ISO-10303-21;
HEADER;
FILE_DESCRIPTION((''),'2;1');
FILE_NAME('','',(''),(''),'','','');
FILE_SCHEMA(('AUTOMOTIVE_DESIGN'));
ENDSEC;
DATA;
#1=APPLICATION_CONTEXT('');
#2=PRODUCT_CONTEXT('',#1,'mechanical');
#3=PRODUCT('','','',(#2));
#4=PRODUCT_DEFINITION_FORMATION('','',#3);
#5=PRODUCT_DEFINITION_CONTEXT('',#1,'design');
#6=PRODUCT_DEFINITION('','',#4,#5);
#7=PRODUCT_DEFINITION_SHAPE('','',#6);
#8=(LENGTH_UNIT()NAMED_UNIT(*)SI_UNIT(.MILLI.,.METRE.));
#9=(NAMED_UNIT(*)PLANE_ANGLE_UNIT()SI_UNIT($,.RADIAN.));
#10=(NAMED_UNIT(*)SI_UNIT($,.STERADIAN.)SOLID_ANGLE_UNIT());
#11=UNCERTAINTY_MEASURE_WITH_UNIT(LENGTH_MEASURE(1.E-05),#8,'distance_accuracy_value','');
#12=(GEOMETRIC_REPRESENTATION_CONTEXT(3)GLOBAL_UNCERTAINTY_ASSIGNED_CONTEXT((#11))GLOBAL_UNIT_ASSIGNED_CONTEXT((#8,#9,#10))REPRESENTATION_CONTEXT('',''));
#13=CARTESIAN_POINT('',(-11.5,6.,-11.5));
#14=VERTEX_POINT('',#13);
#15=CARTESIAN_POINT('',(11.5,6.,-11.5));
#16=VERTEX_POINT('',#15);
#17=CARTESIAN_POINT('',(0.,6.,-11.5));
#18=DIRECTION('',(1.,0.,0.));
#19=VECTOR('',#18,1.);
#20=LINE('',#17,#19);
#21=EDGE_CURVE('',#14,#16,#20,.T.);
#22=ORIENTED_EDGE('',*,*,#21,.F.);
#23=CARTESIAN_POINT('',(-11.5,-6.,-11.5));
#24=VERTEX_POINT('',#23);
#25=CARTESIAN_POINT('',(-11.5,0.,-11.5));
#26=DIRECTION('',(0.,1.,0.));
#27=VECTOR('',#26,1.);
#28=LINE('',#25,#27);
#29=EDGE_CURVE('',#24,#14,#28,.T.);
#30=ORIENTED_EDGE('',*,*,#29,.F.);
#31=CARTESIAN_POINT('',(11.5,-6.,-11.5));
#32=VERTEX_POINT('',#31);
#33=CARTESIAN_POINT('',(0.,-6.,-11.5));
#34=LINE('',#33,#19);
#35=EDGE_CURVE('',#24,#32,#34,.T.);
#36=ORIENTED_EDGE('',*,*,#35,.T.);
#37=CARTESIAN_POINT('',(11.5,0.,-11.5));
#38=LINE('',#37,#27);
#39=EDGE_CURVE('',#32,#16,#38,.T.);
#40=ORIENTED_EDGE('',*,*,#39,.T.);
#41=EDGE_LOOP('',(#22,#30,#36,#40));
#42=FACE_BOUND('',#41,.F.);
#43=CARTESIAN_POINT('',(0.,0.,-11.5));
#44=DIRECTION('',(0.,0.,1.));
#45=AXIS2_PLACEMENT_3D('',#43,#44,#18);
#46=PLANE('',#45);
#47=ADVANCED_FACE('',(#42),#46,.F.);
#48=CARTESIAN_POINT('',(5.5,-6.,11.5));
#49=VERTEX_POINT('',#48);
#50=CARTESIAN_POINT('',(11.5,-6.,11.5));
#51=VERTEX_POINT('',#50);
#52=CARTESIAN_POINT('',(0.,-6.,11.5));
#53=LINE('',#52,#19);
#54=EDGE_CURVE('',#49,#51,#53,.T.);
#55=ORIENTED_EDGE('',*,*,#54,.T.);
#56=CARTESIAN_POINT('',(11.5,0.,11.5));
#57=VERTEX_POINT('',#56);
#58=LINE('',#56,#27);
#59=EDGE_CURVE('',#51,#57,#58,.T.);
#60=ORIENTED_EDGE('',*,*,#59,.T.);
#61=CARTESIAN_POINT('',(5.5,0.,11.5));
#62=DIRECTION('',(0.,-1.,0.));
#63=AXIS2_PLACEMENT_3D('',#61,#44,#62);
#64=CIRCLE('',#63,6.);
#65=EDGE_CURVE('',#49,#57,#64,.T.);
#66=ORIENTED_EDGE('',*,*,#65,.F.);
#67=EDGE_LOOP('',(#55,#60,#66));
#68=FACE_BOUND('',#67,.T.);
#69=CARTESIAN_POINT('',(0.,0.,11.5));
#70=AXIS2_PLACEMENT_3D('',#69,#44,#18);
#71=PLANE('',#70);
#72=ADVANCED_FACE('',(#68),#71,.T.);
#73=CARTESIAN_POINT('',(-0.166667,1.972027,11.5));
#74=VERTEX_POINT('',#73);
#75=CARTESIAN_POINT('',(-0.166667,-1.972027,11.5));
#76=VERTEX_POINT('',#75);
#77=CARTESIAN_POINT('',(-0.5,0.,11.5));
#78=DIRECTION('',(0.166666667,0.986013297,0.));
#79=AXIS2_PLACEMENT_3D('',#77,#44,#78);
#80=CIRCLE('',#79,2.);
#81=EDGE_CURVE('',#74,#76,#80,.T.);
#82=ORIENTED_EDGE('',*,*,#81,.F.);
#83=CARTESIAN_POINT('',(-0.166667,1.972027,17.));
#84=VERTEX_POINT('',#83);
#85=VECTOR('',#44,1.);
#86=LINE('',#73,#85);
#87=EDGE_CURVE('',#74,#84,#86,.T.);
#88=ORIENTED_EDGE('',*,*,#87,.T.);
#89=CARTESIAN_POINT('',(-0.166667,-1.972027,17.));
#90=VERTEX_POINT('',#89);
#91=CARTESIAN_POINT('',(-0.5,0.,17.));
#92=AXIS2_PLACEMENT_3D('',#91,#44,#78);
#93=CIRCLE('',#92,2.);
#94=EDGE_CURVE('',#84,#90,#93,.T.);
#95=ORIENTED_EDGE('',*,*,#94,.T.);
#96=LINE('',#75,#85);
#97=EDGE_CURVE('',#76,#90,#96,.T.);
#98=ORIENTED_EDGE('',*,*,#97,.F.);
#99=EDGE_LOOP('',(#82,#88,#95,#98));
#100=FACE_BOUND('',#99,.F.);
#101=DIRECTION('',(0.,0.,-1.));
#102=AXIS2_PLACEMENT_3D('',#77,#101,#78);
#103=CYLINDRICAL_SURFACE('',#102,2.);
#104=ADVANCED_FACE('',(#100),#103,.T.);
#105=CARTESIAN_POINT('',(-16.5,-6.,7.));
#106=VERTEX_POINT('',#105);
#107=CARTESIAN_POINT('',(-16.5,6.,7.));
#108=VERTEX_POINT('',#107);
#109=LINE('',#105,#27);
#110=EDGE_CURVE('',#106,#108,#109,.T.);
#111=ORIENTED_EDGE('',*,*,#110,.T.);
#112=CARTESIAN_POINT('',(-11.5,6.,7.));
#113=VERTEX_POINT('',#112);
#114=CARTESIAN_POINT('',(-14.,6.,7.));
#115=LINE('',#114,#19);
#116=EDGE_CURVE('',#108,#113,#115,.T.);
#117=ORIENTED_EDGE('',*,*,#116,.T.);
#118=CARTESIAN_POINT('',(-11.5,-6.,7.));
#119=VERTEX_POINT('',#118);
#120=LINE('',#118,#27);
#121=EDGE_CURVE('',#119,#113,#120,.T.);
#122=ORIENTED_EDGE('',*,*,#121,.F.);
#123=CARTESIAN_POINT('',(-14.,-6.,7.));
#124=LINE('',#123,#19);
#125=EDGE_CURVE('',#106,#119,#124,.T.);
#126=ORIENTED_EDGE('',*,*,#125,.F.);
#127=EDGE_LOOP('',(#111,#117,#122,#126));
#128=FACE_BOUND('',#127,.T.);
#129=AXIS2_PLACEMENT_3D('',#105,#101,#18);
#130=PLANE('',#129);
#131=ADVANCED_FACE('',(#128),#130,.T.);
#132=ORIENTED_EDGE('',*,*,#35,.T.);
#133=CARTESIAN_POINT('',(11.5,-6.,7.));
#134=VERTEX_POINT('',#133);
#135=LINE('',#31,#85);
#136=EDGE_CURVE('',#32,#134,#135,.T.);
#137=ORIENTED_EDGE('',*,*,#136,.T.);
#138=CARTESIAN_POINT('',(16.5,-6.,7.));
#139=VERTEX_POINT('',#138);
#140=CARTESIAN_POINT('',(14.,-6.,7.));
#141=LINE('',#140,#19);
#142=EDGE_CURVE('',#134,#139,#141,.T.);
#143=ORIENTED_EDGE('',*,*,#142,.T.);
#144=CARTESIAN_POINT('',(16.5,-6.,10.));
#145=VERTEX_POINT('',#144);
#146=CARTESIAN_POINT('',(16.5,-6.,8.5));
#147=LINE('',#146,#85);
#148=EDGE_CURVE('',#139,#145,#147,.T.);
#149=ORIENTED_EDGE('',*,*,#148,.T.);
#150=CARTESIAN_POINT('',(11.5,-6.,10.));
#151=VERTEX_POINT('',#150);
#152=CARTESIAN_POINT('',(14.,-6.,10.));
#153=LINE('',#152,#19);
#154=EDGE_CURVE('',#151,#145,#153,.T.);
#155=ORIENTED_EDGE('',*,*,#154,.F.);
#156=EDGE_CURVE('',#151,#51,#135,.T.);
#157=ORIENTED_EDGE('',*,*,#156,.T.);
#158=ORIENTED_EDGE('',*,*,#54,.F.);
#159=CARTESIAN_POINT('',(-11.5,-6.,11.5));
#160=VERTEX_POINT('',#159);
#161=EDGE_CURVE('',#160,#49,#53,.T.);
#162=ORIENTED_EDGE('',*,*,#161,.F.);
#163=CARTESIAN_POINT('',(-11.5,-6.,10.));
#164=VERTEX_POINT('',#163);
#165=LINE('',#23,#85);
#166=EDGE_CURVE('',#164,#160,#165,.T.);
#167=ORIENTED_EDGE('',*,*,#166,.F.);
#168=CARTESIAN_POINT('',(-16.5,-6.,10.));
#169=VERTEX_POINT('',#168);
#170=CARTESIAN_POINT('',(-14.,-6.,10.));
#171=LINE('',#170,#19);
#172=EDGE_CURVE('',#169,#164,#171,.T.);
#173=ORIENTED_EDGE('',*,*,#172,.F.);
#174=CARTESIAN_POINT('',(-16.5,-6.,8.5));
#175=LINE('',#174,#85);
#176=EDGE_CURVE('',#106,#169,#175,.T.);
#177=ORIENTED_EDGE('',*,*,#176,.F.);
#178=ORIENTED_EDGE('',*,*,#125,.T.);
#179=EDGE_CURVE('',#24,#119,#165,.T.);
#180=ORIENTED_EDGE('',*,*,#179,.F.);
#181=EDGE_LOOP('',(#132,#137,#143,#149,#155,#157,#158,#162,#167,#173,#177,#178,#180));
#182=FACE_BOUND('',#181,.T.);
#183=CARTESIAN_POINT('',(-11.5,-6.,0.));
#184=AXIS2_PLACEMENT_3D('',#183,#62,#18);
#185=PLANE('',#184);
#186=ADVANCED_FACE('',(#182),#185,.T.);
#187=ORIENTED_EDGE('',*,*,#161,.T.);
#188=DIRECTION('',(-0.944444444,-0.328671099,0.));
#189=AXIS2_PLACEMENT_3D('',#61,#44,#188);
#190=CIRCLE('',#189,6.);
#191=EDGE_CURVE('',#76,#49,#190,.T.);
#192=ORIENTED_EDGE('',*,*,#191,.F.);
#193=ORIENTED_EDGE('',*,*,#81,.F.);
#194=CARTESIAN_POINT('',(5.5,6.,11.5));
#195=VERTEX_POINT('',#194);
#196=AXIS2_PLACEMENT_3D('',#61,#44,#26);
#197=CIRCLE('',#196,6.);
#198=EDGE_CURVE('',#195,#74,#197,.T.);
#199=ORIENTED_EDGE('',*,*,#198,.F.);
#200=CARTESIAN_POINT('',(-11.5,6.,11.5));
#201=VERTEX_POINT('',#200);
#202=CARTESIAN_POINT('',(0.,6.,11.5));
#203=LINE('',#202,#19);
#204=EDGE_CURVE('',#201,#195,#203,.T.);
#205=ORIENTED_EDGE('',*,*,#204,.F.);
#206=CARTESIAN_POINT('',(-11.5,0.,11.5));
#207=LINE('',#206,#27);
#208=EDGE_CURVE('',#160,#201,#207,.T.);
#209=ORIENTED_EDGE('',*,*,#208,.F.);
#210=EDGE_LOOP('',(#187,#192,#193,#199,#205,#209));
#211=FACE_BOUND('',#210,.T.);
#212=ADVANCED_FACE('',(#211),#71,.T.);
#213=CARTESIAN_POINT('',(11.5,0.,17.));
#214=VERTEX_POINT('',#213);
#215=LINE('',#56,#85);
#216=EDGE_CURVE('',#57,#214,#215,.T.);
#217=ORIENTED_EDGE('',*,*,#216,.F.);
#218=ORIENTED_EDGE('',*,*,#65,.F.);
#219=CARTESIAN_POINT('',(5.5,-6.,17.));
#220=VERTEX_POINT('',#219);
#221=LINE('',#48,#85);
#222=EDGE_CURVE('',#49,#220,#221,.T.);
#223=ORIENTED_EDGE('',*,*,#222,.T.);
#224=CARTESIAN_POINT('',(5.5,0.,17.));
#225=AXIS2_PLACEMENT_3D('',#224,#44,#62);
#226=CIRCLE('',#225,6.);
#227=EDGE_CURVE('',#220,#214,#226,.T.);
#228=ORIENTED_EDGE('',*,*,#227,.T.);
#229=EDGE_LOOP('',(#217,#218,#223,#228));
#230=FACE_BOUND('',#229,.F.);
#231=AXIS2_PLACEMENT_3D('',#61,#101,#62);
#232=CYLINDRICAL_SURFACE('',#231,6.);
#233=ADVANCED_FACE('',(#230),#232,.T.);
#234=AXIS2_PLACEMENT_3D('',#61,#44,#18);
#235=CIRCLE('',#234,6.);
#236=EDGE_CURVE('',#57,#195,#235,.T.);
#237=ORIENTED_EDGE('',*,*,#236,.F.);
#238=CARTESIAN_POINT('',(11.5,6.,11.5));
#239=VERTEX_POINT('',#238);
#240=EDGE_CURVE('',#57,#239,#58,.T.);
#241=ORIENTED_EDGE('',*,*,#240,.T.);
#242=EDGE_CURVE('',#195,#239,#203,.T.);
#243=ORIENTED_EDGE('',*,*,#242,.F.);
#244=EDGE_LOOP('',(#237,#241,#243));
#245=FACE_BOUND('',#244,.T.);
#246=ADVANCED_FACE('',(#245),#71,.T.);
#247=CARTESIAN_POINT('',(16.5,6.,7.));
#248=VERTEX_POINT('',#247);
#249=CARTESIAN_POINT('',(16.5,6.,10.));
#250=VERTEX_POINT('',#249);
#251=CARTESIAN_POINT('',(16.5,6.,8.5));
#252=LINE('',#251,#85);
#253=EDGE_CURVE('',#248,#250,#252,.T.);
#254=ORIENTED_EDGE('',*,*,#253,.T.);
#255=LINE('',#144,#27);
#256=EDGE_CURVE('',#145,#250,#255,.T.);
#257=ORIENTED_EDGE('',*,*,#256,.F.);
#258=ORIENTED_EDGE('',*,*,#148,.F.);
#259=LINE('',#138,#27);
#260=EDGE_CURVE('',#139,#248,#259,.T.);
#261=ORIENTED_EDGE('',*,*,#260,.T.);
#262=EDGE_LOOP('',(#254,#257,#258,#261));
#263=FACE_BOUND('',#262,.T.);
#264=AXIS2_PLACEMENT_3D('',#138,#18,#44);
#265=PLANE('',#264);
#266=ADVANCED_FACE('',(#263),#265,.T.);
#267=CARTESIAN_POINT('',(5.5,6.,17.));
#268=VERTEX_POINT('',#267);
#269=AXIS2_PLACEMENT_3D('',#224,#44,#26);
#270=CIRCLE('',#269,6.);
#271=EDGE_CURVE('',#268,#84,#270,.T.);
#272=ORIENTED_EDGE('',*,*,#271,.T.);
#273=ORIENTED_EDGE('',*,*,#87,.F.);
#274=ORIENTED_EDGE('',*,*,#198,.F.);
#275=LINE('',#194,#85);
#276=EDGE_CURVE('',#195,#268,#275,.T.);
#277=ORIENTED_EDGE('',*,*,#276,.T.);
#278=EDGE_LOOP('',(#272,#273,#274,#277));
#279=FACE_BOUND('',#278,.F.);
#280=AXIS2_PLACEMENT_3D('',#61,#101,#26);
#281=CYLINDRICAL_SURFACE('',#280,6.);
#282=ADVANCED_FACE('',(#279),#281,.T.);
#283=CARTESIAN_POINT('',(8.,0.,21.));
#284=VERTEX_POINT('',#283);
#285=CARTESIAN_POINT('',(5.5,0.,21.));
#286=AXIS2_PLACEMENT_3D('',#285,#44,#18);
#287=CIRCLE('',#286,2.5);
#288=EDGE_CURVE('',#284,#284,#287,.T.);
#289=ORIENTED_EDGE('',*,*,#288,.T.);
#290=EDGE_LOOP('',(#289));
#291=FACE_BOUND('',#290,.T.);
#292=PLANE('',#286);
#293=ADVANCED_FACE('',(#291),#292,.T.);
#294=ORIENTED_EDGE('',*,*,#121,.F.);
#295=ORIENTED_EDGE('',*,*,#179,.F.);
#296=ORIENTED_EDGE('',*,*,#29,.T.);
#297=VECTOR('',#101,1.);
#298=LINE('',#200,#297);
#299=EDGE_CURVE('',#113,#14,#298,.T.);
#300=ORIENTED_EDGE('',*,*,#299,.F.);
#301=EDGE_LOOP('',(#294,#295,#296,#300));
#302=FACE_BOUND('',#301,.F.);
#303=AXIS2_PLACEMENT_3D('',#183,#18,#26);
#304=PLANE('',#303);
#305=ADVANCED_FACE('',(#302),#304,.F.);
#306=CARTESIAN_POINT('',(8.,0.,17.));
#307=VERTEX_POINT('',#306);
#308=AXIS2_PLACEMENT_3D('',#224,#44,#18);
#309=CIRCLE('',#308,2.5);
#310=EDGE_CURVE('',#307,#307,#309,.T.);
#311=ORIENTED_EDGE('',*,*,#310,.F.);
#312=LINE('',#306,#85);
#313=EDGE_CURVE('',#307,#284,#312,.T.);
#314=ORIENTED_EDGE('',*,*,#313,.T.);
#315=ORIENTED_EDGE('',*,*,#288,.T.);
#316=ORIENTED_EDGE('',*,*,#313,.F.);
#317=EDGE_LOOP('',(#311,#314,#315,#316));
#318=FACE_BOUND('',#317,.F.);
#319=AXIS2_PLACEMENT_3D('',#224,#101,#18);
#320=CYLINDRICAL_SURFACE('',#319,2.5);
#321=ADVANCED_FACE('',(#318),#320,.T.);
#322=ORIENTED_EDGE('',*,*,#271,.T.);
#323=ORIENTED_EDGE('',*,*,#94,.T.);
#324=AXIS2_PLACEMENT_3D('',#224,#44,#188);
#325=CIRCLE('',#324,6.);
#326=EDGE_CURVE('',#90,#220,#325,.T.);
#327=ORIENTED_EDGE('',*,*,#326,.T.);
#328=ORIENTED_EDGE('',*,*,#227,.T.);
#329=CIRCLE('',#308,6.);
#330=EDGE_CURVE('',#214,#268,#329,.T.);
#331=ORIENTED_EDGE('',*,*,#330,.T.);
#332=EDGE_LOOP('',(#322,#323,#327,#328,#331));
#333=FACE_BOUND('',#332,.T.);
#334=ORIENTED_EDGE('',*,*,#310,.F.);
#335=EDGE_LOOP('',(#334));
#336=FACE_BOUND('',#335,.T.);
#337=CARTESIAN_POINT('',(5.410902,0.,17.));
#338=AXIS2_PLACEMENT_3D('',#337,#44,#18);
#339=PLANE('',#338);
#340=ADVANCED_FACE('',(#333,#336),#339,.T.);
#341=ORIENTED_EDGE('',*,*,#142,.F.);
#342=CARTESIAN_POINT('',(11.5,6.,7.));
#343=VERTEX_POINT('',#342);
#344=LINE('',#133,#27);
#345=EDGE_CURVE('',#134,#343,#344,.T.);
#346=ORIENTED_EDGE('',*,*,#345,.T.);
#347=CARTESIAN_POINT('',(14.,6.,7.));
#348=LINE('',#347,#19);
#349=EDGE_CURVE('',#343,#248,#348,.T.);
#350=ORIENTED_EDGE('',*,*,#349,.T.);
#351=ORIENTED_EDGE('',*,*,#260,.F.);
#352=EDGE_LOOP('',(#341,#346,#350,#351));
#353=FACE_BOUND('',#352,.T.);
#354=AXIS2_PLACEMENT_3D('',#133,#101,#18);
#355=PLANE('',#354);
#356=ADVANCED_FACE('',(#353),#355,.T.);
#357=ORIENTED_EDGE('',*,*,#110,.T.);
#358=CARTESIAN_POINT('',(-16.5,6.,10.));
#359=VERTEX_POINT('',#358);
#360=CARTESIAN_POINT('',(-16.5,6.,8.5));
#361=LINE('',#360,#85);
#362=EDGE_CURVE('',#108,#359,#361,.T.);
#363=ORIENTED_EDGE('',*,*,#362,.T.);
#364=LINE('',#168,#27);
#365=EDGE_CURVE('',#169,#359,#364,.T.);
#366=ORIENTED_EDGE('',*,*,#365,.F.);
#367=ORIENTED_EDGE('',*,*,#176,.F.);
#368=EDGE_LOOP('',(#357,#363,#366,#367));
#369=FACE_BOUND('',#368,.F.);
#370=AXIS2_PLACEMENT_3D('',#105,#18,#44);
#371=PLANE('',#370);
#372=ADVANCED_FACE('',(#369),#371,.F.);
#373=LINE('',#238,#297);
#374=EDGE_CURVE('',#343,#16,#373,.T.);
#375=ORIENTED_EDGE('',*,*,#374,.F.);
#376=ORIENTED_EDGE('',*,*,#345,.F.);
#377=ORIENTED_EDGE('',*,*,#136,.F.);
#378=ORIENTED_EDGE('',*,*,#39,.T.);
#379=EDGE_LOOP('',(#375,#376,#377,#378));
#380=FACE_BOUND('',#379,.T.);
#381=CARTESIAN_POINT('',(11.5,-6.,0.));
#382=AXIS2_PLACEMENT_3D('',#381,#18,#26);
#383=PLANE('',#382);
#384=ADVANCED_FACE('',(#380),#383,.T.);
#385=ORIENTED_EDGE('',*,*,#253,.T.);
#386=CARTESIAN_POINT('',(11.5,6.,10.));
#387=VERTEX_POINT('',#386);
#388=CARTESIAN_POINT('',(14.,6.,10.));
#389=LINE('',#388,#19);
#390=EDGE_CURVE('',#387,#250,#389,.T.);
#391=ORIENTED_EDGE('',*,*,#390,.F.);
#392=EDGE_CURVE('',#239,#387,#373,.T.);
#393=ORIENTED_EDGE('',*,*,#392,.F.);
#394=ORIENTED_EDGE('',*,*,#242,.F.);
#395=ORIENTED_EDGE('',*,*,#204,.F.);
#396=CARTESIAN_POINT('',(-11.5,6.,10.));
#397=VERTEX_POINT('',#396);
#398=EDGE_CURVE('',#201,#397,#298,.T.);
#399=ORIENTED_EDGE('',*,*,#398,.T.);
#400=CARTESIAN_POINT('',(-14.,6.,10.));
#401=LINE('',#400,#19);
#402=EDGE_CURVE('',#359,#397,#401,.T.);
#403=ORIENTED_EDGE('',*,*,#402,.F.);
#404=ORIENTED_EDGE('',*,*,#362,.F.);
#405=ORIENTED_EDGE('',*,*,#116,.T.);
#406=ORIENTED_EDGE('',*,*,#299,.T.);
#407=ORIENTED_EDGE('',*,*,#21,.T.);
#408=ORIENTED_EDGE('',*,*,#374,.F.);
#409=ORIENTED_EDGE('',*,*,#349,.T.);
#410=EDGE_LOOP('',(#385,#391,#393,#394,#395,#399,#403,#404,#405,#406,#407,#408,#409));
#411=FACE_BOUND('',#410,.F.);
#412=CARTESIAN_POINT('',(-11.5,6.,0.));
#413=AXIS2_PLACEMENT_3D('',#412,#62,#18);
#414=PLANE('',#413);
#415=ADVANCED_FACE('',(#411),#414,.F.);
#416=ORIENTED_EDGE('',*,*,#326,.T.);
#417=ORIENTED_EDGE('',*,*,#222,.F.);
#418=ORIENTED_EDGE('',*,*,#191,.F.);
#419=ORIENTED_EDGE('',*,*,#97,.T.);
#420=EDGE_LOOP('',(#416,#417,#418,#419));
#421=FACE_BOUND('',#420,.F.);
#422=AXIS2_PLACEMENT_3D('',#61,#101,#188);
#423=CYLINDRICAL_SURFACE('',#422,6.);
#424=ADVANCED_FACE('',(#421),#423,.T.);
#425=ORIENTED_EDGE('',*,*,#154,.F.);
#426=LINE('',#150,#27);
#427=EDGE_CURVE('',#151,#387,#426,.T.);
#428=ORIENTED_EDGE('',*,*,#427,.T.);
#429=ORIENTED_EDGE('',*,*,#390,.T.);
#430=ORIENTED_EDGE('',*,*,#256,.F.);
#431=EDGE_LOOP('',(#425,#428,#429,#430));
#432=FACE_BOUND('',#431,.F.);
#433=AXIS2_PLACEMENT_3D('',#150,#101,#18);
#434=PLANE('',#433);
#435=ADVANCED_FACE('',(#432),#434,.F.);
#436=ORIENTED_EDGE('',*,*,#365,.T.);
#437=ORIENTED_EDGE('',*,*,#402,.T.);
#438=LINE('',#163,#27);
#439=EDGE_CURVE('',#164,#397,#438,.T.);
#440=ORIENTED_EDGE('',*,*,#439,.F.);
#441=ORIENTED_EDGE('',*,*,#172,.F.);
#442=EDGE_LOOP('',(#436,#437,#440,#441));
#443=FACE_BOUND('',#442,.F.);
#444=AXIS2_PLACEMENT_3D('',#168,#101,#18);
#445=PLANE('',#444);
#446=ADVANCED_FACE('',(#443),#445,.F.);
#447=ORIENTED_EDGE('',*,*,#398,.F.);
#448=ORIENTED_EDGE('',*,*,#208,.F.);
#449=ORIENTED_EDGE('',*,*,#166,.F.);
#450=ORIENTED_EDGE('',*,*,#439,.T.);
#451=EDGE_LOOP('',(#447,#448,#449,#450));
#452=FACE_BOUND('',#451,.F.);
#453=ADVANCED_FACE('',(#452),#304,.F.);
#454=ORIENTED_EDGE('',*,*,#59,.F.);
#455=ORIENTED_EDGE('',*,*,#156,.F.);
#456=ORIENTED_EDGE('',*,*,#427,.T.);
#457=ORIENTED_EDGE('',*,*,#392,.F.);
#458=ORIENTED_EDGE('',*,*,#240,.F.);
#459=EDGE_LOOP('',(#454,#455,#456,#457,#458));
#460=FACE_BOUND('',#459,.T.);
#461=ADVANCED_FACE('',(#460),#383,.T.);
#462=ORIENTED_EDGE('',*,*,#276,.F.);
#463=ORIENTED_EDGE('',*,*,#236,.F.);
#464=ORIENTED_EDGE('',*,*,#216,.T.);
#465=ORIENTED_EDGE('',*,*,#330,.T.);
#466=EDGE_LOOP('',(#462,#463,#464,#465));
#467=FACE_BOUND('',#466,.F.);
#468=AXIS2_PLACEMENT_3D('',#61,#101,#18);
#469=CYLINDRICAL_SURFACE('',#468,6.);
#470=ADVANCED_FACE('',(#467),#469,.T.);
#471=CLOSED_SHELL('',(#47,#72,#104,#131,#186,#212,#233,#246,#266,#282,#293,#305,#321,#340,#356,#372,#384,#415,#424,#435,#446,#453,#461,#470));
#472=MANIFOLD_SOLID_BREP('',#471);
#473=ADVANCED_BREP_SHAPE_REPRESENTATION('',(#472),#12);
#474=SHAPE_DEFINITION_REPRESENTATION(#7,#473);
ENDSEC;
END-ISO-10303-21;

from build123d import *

# Parameters (mm, degrees)
F0_W     = 23
F0_H     = 12
F1_DEPTH = 11.5
F3_DEPTH = 5.5
F4_R     = 2.5
F5_DEPTH = 4
F6_W     = 5
F6_H     = 3
F7_DEPTH = 12


with BuildPart() as f1:
    # F0 (on Top) → F1 (new body, symmetric)
    with BuildSketch(Plane.XY):
        Rectangle(F0_W, F0_H)
    extrude(amount=F1_DEPTH, both=True)

    # F2 (on face) → F3 (join)
    with BuildSketch(Plane.XY.offset(11.5)):
        with BuildLine():
            ThreePointArc((5.5, -6), (9.7426406871, -4.2426406871), (11.5, 0))
            ThreePointArc((11.5, 0), (9.7426406871, 4.2426406871), (5.5, 6))
            ThreePointArc((5.5, 6), (2.0238066485, 4.8904069139), (-0.1666666667, 1.9720265944))
            ThreePointArc((-0.1666666667, 1.9720265944), (1.0275252317, 1.2909944487), (1.5, 0))
            ThreePointArc((1.5, 0), (1.0275252317, -1.2909944487), (-0.1666666667, -1.9720265944))
            ThreePointArc((-0.1666666667, -1.9720265944), (2.0238066485, -4.8904069139), (5.5, -6))
        make_face()
        with BuildLine():
            ThreePointArc((1.5, 0), (1.0275252317, 1.2909944487), (-0.1666666667, 1.9720265944))
            ThreePointArc((-0.1666666667, 1.9720265944), (-0.5, 0), (-0.1666666667, -1.9720265944))
            ThreePointArc((-0.1666666667, -1.9720265944), (1.0275252317, -1.2909944487), (1.5, 0))
        make_face()
        with BuildLine():
            ThreePointArc((-0.1666666667, -1.9720265944), (-0.5, 0), (-0.1666666667, 1.9720265944))
            ThreePointArc((-0.1666666667, 1.9720265944), (-2.5, 0), (-0.1666666667, -1.9720265944))
        make_face()
    extrude(amount=F3_DEPTH)

    # F4 (on face) → F5 (join)
    with BuildSketch(Plane.XY.offset(17)):
        with Locations((5.5, 0)):
            Circle(F4_R)
    extrude(amount=F5_DEPTH)

    # F6 (on face) → F7 (join)
    with BuildSketch(Plane.XZ.offset(6)):
        with Locations((-14, 8.5)):
            Rectangle(F6_W, F6_H)
        with Locations((14, 8.5)):
            Rectangle(F6_W, F6_H)
    extrude(amount=-F7_DEPTH)


solid = f1.part
